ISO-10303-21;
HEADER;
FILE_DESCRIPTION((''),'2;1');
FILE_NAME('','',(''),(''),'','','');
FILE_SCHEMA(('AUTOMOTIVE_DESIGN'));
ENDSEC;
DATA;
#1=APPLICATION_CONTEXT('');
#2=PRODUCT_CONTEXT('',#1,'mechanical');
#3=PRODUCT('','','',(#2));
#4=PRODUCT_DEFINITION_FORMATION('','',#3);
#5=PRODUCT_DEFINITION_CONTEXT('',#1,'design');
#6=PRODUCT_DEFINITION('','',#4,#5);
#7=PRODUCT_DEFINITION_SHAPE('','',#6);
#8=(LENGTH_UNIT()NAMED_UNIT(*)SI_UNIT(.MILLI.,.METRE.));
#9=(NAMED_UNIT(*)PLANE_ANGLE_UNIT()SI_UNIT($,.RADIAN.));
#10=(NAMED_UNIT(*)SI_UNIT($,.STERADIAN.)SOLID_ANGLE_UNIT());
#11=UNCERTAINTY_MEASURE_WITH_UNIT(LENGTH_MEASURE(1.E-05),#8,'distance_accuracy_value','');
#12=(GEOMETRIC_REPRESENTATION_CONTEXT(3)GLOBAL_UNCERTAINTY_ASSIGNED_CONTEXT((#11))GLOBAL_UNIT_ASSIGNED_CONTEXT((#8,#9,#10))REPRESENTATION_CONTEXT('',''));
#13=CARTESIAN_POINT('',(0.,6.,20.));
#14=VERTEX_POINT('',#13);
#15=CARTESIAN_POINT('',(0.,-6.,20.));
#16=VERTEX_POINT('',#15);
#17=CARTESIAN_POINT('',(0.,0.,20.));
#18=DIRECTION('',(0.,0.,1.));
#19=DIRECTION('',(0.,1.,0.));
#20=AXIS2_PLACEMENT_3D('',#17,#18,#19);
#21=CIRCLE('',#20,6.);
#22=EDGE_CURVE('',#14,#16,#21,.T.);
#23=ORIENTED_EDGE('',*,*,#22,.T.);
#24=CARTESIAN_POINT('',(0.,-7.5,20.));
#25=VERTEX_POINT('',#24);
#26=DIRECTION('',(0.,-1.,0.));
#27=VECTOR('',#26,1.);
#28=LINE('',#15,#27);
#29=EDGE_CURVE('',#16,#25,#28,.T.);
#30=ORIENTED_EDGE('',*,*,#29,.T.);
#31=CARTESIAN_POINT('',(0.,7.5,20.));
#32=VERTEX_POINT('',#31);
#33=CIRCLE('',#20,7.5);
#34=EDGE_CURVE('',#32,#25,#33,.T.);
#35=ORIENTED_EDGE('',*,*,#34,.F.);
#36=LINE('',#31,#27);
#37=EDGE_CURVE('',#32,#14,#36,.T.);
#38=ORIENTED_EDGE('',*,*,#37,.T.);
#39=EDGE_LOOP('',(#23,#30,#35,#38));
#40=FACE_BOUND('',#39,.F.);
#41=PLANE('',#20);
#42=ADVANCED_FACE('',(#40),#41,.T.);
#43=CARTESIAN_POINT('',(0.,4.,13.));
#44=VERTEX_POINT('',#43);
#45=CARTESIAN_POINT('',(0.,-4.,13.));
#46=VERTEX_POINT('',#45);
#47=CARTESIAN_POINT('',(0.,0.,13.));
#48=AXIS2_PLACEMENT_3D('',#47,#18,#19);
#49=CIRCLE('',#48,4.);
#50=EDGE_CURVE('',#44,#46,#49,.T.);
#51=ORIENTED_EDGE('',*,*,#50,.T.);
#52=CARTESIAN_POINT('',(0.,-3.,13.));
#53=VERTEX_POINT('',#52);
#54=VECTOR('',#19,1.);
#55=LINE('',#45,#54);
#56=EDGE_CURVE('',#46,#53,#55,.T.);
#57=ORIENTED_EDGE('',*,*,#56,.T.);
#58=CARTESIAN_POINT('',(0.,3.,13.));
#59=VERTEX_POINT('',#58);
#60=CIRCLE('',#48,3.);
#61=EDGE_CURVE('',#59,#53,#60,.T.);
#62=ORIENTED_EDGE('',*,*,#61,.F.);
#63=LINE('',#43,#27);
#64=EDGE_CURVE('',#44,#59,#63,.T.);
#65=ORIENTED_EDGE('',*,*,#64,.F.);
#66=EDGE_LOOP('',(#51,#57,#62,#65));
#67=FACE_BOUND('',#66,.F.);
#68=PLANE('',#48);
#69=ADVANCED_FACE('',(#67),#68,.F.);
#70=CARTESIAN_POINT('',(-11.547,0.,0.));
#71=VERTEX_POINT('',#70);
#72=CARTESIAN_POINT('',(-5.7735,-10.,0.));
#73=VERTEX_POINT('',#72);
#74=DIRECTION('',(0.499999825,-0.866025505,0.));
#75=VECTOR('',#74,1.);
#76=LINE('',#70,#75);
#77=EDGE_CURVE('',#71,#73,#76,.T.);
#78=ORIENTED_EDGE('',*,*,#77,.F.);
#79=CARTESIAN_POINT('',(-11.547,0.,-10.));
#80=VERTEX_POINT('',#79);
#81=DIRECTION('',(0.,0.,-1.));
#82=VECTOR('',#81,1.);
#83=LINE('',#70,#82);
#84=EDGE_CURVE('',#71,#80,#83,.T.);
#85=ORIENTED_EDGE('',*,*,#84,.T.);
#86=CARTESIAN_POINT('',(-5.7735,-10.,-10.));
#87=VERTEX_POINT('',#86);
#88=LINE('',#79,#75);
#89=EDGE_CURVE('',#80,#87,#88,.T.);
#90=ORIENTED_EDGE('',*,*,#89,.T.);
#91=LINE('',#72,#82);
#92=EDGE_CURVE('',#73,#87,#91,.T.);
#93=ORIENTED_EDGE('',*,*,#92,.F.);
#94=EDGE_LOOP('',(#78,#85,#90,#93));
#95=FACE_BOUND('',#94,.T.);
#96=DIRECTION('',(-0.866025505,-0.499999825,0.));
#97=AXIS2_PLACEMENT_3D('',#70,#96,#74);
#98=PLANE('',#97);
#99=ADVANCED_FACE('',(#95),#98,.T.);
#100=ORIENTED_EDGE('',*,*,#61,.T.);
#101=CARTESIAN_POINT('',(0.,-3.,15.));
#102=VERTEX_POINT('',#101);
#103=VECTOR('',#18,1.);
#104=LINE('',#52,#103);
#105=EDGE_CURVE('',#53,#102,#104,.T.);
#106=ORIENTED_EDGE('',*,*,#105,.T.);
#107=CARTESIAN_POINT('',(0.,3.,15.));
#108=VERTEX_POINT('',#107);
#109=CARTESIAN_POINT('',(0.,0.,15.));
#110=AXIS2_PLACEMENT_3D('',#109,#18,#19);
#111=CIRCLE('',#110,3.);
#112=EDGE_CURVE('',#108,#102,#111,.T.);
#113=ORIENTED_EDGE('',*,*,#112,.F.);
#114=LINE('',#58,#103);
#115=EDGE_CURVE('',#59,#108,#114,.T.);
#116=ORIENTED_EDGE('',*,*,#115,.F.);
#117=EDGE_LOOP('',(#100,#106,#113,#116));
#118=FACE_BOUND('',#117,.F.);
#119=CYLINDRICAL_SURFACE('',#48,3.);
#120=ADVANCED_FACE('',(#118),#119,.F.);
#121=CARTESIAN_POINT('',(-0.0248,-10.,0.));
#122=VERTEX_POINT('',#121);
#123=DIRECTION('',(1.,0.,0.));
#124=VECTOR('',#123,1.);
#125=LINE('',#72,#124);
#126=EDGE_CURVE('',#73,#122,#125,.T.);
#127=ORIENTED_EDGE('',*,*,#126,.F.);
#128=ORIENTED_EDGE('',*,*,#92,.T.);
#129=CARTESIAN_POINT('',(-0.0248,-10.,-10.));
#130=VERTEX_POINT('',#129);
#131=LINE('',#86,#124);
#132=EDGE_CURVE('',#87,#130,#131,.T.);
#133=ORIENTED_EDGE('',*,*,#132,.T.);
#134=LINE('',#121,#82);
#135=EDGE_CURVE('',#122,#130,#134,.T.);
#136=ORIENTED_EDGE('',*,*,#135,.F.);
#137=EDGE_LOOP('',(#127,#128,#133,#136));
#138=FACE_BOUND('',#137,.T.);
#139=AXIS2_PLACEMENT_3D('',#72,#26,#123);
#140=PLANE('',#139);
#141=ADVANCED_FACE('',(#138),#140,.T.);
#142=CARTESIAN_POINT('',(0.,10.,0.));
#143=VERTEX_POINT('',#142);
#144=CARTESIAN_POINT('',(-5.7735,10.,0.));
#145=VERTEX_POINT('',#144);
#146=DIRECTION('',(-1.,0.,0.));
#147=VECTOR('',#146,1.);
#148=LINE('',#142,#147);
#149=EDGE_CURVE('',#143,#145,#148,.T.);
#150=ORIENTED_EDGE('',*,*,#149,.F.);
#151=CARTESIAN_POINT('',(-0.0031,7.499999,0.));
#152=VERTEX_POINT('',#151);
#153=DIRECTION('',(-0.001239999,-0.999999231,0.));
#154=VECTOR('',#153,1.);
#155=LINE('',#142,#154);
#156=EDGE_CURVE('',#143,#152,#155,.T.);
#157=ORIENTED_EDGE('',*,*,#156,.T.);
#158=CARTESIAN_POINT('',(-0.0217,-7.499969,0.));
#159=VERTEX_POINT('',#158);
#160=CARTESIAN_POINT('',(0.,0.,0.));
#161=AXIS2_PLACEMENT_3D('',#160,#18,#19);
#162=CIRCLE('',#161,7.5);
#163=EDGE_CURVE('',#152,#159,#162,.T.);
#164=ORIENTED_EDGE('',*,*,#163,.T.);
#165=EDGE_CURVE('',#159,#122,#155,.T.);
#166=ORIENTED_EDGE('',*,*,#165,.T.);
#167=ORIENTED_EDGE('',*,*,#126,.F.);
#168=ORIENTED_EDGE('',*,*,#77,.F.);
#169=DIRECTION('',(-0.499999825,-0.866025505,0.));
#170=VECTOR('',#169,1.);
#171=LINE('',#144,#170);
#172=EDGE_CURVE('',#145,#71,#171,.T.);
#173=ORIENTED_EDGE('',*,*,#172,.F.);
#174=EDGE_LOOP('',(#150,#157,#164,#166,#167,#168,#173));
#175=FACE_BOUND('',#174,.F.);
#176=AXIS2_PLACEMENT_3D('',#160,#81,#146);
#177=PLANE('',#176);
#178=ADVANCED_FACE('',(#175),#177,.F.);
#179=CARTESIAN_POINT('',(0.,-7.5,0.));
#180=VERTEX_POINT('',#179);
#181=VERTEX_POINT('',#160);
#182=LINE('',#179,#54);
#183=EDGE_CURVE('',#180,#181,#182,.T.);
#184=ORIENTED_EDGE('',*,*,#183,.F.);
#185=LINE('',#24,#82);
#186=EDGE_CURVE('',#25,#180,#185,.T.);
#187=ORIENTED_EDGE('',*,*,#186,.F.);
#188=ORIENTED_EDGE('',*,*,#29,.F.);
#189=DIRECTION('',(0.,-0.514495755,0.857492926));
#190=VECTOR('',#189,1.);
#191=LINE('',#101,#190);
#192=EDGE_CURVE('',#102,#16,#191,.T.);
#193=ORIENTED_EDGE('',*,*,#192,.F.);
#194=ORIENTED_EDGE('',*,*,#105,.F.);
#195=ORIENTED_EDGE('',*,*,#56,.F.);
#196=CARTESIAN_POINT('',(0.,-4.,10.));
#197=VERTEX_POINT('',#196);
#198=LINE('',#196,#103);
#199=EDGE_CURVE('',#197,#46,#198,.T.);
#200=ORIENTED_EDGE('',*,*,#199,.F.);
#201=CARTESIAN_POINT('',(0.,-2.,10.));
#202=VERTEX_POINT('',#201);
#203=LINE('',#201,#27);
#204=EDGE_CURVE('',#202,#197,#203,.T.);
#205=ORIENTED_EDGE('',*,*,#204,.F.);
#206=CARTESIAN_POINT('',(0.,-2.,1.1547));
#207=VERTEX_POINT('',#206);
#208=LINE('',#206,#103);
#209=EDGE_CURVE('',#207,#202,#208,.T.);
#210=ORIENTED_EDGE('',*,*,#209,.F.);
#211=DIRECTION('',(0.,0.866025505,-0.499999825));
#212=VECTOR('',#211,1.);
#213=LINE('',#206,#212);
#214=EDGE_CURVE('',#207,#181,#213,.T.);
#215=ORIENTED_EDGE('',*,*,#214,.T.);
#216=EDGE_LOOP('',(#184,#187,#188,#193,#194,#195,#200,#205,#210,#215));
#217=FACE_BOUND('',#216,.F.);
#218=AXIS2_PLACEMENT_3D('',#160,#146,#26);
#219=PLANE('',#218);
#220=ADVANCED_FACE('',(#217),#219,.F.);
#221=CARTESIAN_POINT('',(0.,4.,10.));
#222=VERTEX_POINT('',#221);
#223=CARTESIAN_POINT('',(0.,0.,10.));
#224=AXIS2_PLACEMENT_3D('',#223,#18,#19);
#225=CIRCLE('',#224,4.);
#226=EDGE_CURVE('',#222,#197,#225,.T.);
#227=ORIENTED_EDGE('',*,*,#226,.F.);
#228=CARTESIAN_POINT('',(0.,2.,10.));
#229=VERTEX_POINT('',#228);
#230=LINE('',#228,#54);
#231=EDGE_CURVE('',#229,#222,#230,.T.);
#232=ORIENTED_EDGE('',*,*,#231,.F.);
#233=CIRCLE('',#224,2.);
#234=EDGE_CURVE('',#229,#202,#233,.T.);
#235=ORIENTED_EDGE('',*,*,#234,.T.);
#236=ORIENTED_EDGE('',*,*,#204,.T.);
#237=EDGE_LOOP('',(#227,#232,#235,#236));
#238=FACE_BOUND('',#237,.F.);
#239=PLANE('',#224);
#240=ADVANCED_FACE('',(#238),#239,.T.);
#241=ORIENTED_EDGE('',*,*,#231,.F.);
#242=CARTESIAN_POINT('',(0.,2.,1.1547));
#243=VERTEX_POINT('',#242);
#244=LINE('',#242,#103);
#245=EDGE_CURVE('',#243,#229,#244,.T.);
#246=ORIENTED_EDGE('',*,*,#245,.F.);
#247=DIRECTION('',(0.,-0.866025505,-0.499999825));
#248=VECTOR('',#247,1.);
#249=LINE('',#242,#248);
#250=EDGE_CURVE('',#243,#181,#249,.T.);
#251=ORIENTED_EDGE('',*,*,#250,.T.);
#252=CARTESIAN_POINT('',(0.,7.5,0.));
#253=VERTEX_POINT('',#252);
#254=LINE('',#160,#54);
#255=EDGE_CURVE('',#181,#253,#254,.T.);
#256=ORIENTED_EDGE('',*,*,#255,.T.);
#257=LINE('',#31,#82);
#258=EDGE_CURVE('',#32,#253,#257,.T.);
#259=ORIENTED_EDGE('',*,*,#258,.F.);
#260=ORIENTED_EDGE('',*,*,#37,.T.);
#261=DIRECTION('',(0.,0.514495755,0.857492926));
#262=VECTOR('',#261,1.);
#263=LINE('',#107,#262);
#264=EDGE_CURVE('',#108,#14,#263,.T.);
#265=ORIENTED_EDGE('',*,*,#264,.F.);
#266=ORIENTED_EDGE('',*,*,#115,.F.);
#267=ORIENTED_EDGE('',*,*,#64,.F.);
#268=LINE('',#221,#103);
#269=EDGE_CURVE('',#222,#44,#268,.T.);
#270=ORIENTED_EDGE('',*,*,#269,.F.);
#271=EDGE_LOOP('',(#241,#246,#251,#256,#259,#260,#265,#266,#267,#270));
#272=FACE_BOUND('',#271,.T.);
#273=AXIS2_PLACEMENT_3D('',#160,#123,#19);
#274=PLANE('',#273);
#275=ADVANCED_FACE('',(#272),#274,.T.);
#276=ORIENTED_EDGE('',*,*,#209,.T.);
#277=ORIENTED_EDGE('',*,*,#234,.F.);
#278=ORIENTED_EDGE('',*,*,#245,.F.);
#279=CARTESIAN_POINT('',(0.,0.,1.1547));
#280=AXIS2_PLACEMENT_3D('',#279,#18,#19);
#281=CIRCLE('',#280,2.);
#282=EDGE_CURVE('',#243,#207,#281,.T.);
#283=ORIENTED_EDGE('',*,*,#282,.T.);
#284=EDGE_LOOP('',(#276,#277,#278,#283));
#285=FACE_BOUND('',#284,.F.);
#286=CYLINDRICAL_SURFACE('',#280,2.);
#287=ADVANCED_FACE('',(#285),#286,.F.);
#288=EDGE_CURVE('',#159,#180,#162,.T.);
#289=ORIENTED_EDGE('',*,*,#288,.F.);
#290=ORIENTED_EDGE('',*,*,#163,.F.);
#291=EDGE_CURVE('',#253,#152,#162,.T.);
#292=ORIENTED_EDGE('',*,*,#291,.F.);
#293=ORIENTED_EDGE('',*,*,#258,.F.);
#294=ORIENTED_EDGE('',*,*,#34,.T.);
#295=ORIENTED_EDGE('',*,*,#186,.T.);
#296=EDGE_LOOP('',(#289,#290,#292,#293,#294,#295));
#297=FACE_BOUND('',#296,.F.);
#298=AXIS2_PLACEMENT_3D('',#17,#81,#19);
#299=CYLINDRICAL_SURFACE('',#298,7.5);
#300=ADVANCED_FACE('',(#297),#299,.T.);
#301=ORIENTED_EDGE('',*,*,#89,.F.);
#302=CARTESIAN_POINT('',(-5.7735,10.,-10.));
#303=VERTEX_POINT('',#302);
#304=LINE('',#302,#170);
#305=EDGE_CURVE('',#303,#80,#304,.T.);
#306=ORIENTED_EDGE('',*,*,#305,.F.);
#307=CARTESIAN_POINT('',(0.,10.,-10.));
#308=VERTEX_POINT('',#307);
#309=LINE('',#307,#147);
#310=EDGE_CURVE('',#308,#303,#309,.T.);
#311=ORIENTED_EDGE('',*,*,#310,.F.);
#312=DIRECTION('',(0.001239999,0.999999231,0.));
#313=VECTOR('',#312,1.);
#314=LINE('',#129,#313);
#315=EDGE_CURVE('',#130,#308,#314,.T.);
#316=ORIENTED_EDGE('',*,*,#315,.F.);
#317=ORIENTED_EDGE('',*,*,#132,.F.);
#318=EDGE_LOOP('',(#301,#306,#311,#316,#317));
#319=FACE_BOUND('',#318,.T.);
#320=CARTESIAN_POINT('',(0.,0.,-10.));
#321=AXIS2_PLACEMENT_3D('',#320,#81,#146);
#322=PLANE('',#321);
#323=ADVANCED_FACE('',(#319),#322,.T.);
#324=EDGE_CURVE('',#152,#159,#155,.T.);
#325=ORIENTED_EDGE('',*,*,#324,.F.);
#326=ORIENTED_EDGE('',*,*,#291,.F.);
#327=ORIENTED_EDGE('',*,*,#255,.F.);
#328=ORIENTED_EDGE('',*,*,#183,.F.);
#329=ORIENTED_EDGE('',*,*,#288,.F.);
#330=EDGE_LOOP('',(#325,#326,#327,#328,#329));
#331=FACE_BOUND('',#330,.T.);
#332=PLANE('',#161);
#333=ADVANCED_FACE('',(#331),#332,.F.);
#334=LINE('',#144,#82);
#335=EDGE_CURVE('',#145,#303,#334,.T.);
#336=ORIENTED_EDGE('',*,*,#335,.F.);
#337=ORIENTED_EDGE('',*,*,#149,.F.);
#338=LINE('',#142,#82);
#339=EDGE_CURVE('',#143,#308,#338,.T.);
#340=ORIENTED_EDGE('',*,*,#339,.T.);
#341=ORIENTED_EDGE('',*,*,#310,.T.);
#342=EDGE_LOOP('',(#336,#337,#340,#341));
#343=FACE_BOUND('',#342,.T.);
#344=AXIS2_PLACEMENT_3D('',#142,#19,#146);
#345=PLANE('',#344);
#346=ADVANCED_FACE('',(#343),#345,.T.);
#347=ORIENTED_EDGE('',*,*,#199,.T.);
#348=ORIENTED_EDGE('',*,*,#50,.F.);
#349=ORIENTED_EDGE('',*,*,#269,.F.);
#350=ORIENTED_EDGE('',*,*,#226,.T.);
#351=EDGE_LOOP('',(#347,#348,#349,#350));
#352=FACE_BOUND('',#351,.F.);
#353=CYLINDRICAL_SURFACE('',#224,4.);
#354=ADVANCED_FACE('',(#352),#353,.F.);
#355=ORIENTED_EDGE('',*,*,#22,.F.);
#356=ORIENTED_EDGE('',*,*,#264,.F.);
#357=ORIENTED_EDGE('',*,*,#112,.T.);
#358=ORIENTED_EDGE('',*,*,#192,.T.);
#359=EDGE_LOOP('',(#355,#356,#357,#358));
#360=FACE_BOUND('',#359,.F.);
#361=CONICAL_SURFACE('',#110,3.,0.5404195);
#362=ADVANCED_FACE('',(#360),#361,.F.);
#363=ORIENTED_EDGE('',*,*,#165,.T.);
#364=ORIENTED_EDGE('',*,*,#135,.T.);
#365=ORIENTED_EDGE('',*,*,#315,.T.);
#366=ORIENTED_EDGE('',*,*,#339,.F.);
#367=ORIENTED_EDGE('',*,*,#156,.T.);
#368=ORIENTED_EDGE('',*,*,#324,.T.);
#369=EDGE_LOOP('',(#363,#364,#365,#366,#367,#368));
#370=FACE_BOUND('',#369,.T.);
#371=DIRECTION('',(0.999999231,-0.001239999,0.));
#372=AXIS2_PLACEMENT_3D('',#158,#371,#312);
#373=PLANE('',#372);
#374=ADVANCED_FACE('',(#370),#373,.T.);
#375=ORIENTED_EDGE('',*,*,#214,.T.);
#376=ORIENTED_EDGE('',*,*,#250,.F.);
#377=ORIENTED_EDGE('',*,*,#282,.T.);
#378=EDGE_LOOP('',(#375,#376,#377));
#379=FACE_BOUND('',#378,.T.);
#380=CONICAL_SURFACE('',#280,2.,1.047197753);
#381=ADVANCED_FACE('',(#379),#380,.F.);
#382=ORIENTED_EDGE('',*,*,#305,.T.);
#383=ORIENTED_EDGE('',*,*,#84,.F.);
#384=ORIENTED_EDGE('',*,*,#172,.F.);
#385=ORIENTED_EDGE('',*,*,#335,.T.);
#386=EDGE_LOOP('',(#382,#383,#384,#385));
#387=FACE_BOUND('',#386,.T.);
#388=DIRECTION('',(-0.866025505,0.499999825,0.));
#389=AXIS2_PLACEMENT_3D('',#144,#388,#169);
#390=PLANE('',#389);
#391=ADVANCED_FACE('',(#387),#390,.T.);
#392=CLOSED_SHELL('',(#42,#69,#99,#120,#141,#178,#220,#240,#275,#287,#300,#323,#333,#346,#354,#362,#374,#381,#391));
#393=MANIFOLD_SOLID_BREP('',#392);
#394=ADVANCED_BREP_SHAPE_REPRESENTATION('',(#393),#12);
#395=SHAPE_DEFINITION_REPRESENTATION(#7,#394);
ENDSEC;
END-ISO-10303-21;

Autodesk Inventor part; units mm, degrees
ref_plane "YZ Plane" through (0, 0, 0) normal (1, 0, 0) x (0, 1, 0)
ref_plane "XZ Plane" through (0, 0, 0) normal (0, 1, 0) x (-1, 0, 0)
ref_plane "XY Plane" through (0, 0, 0) normal (0, 0, 1) x (1, 0, 0)
sketch "草圖1" plane through (0, 0, 0) normal (1, 0, 0) x (0, 1, 0)
  line L0 (2, 1.1547) -> (2, 10)
  line L1 (2, 10) -> (4, 10)
  line L2 (4, 10) -> (4, 13)
  line L3 (3, 15) -> (6, 20)
  line L4 (6, 20) -> (7.5, 20)
  arc A0 (7.3358, 14.0988) -> (7.3358, 14.0988) centre (-51.8892, 10.8387) ccw
  line L5 (7.5, 20) -> (7.5, 0)
  line L6 (0, -10) -> (0, 12.2342)
  line L7 (4, 13) -> (3, 13)
  line L8 (3, 13) -> (3, 15)
  line L9 (2, 1.1547) -> (0, 0)
  line L10 (0, 0) -> (7.5, 0)
  dimension "d3" = 8
  dimension "d4" = 4
  dimension "d5" = 15
  dimension "d6" = 12
  dimension "d7" = 6
  dimension "d8" = 5
  dimension "d9" = 7
  dimension "d10" = 3
  dimension "d11" = 0
  dimension "d19" = 20
  dimension "d24" = 20
  dimension "d25" = 0
  dimension "d27" = 60
revolve "迴轉1" add sketch "草圖1" angle 180 about axis through (0, 0, -10) along (0, 0, 1) picked at (3.6603, 4.915) contours L0 L1 L2 L7 L8 L3 L4 A0 L10 L9 | A0 L4 L5 L10
sketch "草圖3" plane through (0, 0, 0) normal (0, 0, -1) x (-1, 0, 0)
  line L0 (0, -7.5) -> (0, 0) projected
  arc A0 (0, -7.5) -> (0, 7.5) centre (0, 0) ccw projected
  line L1 (-11.5773, 0) -> (12.4556, 0) construction
  line L2 (0.0279, 7.6444) -> (0.0279, -10.5735) construction
  line L3 (5.7735, 10) -> (11.547, 0)
  line L4 (11.547, 0) -> (5.7735, -10)
  line L5 (5.7735, -10) -> (0.0248, -10)
  line L6 (0, 10) -> (5.7735, 10)
  line L7 (-0.0017, 11.3448) -> (0.0279, -12.4793) construction
  line L8 (0.0248, -10) -> (0, 10)
  point P0 (6.4952, 3.75)
  dimension "d29" = 20
  dimension "d32" = 2.5
extrude "擠出1" add sketch "草圖3" along normal blind 10
properties part number "示範一"
